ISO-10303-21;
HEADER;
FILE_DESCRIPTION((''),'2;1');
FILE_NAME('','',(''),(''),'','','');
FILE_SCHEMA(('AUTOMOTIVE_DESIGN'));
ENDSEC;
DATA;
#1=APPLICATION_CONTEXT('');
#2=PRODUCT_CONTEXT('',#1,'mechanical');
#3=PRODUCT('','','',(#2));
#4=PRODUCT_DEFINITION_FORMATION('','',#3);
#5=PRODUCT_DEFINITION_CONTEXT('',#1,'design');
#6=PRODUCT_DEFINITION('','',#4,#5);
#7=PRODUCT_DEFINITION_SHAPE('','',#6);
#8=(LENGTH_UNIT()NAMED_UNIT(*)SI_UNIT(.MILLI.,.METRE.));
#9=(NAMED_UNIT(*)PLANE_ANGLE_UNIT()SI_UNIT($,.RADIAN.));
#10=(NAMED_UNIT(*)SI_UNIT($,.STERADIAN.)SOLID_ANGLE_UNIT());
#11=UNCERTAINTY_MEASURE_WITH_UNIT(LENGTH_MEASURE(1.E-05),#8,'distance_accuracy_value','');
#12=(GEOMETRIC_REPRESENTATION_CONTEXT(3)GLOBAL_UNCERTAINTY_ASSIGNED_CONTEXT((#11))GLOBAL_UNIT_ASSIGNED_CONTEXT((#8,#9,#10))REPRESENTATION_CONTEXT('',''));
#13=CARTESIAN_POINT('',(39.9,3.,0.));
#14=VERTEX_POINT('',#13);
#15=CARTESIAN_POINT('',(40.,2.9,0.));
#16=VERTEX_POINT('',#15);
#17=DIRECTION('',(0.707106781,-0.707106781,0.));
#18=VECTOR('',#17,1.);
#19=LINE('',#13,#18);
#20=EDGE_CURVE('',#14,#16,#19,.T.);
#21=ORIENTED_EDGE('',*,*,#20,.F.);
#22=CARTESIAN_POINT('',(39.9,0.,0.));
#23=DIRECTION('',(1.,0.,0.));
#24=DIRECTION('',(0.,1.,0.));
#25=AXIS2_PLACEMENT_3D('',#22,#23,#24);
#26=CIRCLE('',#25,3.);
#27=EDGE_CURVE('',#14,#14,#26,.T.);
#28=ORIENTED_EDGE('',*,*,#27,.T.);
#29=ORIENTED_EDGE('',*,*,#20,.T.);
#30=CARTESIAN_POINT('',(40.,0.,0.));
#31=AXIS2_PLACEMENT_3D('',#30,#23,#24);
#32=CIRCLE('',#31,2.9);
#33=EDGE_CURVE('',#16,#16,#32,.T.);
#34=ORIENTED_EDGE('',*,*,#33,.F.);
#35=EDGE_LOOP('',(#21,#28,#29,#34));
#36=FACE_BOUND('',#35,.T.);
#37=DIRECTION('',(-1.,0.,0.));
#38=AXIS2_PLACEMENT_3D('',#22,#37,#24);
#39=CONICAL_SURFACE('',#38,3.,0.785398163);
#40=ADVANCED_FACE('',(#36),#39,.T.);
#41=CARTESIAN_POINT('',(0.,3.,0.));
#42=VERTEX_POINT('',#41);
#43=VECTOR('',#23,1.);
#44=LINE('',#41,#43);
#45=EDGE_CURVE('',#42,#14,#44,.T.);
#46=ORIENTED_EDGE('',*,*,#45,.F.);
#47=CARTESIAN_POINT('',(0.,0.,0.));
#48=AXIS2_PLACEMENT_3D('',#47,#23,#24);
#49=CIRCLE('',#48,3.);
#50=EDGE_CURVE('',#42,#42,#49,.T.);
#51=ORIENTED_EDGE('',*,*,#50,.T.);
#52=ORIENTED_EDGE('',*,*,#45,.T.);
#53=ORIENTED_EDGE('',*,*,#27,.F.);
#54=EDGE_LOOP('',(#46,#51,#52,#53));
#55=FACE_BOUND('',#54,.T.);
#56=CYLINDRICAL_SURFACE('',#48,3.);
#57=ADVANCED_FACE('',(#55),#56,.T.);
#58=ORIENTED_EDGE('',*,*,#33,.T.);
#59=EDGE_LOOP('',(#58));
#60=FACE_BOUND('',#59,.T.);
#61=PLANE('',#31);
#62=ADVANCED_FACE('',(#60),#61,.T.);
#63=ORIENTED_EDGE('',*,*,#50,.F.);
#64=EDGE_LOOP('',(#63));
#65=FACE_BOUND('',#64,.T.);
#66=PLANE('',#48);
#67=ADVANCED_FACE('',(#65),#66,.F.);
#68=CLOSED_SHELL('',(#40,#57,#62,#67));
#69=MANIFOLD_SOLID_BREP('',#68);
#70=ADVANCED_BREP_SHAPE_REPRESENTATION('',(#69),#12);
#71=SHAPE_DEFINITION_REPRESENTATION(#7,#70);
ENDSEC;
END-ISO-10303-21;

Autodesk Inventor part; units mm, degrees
ref_plane "Start Plane" through (0, 0, 0) normal (1, 0, 0) x (0, 1, 0)
ref_plane "XZ Plane" through (0, 0, 0) normal (0, 1, 0) x (-1, 0, 0)
ref_plane "XY Plane" through (0, 0, 0) normal (0, 0, 1) x (1, 0, 0)
sketch "Main Sketch" plane through (0, 0, 0) normal (0, 0, 1) x (1, 0, 0)
  line L0 (0, 0) -> (40, 0)
  line L1 (0, 0) -> (0, 3)
  line L2 (0, 3) -> (40, 3)
  line L3 (40, 3) -> (40, 0)
  dimension "d3" = 6
revolve "Revolution1" add sketch "Main Sketch" angle 360 about axis through (0, 0, 0) along (1, 0, 0)
chamfer "Chamfer1" distance 0.1 angle 45 1 edges at (40, -3, 0) measured on face at (13.3333, 2.9612, -0.4812)
equation "\"Length\" = 40"
properties part number "Shaft" material "Steel"
